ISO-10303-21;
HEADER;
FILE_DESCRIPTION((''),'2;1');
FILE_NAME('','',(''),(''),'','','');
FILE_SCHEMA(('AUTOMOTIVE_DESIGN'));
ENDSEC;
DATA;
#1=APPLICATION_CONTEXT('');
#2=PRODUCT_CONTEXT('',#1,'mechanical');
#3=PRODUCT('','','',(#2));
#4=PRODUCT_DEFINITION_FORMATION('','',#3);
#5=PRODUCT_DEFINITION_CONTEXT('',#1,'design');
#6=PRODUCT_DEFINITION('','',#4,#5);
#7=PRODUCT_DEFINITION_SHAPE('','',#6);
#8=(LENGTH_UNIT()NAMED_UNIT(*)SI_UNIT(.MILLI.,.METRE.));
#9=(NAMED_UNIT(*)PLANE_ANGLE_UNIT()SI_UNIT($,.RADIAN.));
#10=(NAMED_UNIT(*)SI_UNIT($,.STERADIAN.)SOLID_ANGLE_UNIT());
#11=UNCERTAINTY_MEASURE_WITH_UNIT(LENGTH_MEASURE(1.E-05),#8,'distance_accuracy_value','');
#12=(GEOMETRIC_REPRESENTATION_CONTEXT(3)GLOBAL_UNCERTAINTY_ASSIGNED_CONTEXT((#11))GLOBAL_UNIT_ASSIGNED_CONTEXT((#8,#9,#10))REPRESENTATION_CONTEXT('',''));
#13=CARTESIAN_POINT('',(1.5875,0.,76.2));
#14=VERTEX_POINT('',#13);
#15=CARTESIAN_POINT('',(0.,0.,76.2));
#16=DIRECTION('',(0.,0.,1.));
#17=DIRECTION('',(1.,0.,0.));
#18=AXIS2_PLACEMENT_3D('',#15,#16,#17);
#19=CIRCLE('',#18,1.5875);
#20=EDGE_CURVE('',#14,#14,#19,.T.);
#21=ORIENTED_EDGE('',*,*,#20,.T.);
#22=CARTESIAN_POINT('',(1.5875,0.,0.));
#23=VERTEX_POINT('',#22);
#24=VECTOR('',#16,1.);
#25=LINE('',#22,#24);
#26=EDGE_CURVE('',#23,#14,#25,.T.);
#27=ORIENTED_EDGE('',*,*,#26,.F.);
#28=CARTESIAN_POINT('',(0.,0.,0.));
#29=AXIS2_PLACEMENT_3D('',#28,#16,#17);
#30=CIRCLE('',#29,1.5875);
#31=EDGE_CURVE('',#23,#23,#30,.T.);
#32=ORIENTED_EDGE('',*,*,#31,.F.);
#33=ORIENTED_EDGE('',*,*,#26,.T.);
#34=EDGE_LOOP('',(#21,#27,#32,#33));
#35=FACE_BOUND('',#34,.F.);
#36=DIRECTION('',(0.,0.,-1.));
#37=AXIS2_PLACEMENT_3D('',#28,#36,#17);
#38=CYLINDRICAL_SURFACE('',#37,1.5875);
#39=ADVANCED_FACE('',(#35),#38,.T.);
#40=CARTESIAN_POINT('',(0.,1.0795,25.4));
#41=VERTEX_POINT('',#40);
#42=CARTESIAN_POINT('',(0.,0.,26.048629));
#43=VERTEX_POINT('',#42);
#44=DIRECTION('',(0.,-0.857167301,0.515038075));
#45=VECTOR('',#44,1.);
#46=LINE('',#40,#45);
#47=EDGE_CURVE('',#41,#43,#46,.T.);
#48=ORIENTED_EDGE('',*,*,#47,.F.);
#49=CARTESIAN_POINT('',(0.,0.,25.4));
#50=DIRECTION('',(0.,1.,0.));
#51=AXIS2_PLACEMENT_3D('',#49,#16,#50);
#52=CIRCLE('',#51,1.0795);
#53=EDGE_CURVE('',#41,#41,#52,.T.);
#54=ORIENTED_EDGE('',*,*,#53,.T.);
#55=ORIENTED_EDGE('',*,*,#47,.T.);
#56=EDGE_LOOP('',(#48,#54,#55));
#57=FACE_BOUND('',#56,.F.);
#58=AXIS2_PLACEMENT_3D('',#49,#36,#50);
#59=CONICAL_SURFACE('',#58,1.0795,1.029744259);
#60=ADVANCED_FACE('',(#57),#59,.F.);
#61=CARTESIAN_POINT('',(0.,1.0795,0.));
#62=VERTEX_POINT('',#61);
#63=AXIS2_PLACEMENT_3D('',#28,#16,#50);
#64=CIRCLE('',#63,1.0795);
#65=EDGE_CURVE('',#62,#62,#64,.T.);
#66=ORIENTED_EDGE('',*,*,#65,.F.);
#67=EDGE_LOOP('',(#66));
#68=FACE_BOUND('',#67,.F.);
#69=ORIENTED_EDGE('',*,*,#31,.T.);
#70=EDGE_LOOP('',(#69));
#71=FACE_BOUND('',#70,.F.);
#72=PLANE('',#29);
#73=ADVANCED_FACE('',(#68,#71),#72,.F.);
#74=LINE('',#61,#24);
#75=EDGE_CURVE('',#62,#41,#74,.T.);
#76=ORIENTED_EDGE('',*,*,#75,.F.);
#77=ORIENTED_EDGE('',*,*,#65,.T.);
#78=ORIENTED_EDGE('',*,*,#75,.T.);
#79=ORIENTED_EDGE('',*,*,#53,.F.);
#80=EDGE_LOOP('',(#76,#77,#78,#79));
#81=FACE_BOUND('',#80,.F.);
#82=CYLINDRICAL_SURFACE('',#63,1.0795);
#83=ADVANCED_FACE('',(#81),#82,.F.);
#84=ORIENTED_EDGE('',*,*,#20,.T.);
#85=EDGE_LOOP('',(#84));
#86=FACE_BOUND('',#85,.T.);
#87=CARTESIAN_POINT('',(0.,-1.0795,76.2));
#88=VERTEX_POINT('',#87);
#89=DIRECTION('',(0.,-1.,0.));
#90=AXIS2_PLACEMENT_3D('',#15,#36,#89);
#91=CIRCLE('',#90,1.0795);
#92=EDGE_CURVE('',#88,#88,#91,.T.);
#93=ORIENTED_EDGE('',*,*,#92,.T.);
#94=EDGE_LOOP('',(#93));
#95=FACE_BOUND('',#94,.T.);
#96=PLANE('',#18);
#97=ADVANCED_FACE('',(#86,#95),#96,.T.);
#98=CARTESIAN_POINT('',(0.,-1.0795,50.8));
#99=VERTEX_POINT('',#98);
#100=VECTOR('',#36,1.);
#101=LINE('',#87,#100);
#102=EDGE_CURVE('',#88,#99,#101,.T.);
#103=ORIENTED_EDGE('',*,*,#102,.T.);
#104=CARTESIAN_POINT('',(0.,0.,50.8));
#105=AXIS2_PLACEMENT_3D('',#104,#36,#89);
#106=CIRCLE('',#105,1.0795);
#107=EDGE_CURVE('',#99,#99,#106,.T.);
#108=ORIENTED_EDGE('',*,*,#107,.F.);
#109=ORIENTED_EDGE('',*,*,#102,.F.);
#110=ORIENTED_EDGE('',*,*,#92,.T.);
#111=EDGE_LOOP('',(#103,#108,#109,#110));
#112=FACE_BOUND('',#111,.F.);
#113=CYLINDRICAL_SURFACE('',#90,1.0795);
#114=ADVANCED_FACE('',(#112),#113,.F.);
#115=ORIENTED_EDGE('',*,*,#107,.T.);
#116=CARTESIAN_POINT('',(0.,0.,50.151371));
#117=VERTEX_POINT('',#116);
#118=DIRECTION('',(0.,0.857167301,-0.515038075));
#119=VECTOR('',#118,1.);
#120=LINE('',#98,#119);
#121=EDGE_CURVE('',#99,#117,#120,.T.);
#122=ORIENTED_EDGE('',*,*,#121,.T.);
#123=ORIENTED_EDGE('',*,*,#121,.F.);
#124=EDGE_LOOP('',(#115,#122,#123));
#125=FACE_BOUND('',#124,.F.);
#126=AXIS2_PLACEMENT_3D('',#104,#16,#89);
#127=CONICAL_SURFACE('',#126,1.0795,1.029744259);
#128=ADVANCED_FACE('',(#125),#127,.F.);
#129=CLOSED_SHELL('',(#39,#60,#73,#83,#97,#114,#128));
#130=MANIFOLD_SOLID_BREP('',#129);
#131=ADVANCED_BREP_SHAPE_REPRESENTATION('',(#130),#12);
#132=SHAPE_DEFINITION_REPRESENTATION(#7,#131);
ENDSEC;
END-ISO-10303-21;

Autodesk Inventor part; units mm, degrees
ref_plane "YZ Plane" through (0, 0, 0) normal (1, 0, 0) x (0, 1, 0)
ref_plane "XZ Plane" through (0, 0, 0) normal (0, 1, 0) x (-1, 0, 0)
ref_plane "XY Plane" through (0, 0, 0) normal (0, 0, 1) x (1, 0, 0)
sketch "Sketch1" plane through (0, 0, 0) normal (0, 0, 1) x (1, 0, 0)
  circle A0 centre (0, 0) radius 1.5875
  dimension "d0" = 3.175
extrude "Extrusion1" add sketch "Sketch1" along normal blind 76.2
sketch "Sketch2" plane through (0, 0, 76.2) normal (0, 0, 1) x (1, 0, 0)
  circle A0 centre (0, 0) radius 1.5875 projected
  circle A1 centre (0, 0) radius 1.1303
  dimension "d3" = 2.2606
hole "Hole1" at (0, 0, 76.2) direction (0, 0, -1) diameter 2.159 depth 25.4 tip angle 118
sketch "Sketch3" plane through (0, 0, 0) normal (0, 0, -1) x (-1, 0, 0)
  circle A0 centre (0, 0) radius 1.5875 projected
hole "Hole2" at (0, 0, 0) direction (0, 0, 1) diameter 2.159 depth 25.4 tip angle 118
properties part number "Steel Rod"
